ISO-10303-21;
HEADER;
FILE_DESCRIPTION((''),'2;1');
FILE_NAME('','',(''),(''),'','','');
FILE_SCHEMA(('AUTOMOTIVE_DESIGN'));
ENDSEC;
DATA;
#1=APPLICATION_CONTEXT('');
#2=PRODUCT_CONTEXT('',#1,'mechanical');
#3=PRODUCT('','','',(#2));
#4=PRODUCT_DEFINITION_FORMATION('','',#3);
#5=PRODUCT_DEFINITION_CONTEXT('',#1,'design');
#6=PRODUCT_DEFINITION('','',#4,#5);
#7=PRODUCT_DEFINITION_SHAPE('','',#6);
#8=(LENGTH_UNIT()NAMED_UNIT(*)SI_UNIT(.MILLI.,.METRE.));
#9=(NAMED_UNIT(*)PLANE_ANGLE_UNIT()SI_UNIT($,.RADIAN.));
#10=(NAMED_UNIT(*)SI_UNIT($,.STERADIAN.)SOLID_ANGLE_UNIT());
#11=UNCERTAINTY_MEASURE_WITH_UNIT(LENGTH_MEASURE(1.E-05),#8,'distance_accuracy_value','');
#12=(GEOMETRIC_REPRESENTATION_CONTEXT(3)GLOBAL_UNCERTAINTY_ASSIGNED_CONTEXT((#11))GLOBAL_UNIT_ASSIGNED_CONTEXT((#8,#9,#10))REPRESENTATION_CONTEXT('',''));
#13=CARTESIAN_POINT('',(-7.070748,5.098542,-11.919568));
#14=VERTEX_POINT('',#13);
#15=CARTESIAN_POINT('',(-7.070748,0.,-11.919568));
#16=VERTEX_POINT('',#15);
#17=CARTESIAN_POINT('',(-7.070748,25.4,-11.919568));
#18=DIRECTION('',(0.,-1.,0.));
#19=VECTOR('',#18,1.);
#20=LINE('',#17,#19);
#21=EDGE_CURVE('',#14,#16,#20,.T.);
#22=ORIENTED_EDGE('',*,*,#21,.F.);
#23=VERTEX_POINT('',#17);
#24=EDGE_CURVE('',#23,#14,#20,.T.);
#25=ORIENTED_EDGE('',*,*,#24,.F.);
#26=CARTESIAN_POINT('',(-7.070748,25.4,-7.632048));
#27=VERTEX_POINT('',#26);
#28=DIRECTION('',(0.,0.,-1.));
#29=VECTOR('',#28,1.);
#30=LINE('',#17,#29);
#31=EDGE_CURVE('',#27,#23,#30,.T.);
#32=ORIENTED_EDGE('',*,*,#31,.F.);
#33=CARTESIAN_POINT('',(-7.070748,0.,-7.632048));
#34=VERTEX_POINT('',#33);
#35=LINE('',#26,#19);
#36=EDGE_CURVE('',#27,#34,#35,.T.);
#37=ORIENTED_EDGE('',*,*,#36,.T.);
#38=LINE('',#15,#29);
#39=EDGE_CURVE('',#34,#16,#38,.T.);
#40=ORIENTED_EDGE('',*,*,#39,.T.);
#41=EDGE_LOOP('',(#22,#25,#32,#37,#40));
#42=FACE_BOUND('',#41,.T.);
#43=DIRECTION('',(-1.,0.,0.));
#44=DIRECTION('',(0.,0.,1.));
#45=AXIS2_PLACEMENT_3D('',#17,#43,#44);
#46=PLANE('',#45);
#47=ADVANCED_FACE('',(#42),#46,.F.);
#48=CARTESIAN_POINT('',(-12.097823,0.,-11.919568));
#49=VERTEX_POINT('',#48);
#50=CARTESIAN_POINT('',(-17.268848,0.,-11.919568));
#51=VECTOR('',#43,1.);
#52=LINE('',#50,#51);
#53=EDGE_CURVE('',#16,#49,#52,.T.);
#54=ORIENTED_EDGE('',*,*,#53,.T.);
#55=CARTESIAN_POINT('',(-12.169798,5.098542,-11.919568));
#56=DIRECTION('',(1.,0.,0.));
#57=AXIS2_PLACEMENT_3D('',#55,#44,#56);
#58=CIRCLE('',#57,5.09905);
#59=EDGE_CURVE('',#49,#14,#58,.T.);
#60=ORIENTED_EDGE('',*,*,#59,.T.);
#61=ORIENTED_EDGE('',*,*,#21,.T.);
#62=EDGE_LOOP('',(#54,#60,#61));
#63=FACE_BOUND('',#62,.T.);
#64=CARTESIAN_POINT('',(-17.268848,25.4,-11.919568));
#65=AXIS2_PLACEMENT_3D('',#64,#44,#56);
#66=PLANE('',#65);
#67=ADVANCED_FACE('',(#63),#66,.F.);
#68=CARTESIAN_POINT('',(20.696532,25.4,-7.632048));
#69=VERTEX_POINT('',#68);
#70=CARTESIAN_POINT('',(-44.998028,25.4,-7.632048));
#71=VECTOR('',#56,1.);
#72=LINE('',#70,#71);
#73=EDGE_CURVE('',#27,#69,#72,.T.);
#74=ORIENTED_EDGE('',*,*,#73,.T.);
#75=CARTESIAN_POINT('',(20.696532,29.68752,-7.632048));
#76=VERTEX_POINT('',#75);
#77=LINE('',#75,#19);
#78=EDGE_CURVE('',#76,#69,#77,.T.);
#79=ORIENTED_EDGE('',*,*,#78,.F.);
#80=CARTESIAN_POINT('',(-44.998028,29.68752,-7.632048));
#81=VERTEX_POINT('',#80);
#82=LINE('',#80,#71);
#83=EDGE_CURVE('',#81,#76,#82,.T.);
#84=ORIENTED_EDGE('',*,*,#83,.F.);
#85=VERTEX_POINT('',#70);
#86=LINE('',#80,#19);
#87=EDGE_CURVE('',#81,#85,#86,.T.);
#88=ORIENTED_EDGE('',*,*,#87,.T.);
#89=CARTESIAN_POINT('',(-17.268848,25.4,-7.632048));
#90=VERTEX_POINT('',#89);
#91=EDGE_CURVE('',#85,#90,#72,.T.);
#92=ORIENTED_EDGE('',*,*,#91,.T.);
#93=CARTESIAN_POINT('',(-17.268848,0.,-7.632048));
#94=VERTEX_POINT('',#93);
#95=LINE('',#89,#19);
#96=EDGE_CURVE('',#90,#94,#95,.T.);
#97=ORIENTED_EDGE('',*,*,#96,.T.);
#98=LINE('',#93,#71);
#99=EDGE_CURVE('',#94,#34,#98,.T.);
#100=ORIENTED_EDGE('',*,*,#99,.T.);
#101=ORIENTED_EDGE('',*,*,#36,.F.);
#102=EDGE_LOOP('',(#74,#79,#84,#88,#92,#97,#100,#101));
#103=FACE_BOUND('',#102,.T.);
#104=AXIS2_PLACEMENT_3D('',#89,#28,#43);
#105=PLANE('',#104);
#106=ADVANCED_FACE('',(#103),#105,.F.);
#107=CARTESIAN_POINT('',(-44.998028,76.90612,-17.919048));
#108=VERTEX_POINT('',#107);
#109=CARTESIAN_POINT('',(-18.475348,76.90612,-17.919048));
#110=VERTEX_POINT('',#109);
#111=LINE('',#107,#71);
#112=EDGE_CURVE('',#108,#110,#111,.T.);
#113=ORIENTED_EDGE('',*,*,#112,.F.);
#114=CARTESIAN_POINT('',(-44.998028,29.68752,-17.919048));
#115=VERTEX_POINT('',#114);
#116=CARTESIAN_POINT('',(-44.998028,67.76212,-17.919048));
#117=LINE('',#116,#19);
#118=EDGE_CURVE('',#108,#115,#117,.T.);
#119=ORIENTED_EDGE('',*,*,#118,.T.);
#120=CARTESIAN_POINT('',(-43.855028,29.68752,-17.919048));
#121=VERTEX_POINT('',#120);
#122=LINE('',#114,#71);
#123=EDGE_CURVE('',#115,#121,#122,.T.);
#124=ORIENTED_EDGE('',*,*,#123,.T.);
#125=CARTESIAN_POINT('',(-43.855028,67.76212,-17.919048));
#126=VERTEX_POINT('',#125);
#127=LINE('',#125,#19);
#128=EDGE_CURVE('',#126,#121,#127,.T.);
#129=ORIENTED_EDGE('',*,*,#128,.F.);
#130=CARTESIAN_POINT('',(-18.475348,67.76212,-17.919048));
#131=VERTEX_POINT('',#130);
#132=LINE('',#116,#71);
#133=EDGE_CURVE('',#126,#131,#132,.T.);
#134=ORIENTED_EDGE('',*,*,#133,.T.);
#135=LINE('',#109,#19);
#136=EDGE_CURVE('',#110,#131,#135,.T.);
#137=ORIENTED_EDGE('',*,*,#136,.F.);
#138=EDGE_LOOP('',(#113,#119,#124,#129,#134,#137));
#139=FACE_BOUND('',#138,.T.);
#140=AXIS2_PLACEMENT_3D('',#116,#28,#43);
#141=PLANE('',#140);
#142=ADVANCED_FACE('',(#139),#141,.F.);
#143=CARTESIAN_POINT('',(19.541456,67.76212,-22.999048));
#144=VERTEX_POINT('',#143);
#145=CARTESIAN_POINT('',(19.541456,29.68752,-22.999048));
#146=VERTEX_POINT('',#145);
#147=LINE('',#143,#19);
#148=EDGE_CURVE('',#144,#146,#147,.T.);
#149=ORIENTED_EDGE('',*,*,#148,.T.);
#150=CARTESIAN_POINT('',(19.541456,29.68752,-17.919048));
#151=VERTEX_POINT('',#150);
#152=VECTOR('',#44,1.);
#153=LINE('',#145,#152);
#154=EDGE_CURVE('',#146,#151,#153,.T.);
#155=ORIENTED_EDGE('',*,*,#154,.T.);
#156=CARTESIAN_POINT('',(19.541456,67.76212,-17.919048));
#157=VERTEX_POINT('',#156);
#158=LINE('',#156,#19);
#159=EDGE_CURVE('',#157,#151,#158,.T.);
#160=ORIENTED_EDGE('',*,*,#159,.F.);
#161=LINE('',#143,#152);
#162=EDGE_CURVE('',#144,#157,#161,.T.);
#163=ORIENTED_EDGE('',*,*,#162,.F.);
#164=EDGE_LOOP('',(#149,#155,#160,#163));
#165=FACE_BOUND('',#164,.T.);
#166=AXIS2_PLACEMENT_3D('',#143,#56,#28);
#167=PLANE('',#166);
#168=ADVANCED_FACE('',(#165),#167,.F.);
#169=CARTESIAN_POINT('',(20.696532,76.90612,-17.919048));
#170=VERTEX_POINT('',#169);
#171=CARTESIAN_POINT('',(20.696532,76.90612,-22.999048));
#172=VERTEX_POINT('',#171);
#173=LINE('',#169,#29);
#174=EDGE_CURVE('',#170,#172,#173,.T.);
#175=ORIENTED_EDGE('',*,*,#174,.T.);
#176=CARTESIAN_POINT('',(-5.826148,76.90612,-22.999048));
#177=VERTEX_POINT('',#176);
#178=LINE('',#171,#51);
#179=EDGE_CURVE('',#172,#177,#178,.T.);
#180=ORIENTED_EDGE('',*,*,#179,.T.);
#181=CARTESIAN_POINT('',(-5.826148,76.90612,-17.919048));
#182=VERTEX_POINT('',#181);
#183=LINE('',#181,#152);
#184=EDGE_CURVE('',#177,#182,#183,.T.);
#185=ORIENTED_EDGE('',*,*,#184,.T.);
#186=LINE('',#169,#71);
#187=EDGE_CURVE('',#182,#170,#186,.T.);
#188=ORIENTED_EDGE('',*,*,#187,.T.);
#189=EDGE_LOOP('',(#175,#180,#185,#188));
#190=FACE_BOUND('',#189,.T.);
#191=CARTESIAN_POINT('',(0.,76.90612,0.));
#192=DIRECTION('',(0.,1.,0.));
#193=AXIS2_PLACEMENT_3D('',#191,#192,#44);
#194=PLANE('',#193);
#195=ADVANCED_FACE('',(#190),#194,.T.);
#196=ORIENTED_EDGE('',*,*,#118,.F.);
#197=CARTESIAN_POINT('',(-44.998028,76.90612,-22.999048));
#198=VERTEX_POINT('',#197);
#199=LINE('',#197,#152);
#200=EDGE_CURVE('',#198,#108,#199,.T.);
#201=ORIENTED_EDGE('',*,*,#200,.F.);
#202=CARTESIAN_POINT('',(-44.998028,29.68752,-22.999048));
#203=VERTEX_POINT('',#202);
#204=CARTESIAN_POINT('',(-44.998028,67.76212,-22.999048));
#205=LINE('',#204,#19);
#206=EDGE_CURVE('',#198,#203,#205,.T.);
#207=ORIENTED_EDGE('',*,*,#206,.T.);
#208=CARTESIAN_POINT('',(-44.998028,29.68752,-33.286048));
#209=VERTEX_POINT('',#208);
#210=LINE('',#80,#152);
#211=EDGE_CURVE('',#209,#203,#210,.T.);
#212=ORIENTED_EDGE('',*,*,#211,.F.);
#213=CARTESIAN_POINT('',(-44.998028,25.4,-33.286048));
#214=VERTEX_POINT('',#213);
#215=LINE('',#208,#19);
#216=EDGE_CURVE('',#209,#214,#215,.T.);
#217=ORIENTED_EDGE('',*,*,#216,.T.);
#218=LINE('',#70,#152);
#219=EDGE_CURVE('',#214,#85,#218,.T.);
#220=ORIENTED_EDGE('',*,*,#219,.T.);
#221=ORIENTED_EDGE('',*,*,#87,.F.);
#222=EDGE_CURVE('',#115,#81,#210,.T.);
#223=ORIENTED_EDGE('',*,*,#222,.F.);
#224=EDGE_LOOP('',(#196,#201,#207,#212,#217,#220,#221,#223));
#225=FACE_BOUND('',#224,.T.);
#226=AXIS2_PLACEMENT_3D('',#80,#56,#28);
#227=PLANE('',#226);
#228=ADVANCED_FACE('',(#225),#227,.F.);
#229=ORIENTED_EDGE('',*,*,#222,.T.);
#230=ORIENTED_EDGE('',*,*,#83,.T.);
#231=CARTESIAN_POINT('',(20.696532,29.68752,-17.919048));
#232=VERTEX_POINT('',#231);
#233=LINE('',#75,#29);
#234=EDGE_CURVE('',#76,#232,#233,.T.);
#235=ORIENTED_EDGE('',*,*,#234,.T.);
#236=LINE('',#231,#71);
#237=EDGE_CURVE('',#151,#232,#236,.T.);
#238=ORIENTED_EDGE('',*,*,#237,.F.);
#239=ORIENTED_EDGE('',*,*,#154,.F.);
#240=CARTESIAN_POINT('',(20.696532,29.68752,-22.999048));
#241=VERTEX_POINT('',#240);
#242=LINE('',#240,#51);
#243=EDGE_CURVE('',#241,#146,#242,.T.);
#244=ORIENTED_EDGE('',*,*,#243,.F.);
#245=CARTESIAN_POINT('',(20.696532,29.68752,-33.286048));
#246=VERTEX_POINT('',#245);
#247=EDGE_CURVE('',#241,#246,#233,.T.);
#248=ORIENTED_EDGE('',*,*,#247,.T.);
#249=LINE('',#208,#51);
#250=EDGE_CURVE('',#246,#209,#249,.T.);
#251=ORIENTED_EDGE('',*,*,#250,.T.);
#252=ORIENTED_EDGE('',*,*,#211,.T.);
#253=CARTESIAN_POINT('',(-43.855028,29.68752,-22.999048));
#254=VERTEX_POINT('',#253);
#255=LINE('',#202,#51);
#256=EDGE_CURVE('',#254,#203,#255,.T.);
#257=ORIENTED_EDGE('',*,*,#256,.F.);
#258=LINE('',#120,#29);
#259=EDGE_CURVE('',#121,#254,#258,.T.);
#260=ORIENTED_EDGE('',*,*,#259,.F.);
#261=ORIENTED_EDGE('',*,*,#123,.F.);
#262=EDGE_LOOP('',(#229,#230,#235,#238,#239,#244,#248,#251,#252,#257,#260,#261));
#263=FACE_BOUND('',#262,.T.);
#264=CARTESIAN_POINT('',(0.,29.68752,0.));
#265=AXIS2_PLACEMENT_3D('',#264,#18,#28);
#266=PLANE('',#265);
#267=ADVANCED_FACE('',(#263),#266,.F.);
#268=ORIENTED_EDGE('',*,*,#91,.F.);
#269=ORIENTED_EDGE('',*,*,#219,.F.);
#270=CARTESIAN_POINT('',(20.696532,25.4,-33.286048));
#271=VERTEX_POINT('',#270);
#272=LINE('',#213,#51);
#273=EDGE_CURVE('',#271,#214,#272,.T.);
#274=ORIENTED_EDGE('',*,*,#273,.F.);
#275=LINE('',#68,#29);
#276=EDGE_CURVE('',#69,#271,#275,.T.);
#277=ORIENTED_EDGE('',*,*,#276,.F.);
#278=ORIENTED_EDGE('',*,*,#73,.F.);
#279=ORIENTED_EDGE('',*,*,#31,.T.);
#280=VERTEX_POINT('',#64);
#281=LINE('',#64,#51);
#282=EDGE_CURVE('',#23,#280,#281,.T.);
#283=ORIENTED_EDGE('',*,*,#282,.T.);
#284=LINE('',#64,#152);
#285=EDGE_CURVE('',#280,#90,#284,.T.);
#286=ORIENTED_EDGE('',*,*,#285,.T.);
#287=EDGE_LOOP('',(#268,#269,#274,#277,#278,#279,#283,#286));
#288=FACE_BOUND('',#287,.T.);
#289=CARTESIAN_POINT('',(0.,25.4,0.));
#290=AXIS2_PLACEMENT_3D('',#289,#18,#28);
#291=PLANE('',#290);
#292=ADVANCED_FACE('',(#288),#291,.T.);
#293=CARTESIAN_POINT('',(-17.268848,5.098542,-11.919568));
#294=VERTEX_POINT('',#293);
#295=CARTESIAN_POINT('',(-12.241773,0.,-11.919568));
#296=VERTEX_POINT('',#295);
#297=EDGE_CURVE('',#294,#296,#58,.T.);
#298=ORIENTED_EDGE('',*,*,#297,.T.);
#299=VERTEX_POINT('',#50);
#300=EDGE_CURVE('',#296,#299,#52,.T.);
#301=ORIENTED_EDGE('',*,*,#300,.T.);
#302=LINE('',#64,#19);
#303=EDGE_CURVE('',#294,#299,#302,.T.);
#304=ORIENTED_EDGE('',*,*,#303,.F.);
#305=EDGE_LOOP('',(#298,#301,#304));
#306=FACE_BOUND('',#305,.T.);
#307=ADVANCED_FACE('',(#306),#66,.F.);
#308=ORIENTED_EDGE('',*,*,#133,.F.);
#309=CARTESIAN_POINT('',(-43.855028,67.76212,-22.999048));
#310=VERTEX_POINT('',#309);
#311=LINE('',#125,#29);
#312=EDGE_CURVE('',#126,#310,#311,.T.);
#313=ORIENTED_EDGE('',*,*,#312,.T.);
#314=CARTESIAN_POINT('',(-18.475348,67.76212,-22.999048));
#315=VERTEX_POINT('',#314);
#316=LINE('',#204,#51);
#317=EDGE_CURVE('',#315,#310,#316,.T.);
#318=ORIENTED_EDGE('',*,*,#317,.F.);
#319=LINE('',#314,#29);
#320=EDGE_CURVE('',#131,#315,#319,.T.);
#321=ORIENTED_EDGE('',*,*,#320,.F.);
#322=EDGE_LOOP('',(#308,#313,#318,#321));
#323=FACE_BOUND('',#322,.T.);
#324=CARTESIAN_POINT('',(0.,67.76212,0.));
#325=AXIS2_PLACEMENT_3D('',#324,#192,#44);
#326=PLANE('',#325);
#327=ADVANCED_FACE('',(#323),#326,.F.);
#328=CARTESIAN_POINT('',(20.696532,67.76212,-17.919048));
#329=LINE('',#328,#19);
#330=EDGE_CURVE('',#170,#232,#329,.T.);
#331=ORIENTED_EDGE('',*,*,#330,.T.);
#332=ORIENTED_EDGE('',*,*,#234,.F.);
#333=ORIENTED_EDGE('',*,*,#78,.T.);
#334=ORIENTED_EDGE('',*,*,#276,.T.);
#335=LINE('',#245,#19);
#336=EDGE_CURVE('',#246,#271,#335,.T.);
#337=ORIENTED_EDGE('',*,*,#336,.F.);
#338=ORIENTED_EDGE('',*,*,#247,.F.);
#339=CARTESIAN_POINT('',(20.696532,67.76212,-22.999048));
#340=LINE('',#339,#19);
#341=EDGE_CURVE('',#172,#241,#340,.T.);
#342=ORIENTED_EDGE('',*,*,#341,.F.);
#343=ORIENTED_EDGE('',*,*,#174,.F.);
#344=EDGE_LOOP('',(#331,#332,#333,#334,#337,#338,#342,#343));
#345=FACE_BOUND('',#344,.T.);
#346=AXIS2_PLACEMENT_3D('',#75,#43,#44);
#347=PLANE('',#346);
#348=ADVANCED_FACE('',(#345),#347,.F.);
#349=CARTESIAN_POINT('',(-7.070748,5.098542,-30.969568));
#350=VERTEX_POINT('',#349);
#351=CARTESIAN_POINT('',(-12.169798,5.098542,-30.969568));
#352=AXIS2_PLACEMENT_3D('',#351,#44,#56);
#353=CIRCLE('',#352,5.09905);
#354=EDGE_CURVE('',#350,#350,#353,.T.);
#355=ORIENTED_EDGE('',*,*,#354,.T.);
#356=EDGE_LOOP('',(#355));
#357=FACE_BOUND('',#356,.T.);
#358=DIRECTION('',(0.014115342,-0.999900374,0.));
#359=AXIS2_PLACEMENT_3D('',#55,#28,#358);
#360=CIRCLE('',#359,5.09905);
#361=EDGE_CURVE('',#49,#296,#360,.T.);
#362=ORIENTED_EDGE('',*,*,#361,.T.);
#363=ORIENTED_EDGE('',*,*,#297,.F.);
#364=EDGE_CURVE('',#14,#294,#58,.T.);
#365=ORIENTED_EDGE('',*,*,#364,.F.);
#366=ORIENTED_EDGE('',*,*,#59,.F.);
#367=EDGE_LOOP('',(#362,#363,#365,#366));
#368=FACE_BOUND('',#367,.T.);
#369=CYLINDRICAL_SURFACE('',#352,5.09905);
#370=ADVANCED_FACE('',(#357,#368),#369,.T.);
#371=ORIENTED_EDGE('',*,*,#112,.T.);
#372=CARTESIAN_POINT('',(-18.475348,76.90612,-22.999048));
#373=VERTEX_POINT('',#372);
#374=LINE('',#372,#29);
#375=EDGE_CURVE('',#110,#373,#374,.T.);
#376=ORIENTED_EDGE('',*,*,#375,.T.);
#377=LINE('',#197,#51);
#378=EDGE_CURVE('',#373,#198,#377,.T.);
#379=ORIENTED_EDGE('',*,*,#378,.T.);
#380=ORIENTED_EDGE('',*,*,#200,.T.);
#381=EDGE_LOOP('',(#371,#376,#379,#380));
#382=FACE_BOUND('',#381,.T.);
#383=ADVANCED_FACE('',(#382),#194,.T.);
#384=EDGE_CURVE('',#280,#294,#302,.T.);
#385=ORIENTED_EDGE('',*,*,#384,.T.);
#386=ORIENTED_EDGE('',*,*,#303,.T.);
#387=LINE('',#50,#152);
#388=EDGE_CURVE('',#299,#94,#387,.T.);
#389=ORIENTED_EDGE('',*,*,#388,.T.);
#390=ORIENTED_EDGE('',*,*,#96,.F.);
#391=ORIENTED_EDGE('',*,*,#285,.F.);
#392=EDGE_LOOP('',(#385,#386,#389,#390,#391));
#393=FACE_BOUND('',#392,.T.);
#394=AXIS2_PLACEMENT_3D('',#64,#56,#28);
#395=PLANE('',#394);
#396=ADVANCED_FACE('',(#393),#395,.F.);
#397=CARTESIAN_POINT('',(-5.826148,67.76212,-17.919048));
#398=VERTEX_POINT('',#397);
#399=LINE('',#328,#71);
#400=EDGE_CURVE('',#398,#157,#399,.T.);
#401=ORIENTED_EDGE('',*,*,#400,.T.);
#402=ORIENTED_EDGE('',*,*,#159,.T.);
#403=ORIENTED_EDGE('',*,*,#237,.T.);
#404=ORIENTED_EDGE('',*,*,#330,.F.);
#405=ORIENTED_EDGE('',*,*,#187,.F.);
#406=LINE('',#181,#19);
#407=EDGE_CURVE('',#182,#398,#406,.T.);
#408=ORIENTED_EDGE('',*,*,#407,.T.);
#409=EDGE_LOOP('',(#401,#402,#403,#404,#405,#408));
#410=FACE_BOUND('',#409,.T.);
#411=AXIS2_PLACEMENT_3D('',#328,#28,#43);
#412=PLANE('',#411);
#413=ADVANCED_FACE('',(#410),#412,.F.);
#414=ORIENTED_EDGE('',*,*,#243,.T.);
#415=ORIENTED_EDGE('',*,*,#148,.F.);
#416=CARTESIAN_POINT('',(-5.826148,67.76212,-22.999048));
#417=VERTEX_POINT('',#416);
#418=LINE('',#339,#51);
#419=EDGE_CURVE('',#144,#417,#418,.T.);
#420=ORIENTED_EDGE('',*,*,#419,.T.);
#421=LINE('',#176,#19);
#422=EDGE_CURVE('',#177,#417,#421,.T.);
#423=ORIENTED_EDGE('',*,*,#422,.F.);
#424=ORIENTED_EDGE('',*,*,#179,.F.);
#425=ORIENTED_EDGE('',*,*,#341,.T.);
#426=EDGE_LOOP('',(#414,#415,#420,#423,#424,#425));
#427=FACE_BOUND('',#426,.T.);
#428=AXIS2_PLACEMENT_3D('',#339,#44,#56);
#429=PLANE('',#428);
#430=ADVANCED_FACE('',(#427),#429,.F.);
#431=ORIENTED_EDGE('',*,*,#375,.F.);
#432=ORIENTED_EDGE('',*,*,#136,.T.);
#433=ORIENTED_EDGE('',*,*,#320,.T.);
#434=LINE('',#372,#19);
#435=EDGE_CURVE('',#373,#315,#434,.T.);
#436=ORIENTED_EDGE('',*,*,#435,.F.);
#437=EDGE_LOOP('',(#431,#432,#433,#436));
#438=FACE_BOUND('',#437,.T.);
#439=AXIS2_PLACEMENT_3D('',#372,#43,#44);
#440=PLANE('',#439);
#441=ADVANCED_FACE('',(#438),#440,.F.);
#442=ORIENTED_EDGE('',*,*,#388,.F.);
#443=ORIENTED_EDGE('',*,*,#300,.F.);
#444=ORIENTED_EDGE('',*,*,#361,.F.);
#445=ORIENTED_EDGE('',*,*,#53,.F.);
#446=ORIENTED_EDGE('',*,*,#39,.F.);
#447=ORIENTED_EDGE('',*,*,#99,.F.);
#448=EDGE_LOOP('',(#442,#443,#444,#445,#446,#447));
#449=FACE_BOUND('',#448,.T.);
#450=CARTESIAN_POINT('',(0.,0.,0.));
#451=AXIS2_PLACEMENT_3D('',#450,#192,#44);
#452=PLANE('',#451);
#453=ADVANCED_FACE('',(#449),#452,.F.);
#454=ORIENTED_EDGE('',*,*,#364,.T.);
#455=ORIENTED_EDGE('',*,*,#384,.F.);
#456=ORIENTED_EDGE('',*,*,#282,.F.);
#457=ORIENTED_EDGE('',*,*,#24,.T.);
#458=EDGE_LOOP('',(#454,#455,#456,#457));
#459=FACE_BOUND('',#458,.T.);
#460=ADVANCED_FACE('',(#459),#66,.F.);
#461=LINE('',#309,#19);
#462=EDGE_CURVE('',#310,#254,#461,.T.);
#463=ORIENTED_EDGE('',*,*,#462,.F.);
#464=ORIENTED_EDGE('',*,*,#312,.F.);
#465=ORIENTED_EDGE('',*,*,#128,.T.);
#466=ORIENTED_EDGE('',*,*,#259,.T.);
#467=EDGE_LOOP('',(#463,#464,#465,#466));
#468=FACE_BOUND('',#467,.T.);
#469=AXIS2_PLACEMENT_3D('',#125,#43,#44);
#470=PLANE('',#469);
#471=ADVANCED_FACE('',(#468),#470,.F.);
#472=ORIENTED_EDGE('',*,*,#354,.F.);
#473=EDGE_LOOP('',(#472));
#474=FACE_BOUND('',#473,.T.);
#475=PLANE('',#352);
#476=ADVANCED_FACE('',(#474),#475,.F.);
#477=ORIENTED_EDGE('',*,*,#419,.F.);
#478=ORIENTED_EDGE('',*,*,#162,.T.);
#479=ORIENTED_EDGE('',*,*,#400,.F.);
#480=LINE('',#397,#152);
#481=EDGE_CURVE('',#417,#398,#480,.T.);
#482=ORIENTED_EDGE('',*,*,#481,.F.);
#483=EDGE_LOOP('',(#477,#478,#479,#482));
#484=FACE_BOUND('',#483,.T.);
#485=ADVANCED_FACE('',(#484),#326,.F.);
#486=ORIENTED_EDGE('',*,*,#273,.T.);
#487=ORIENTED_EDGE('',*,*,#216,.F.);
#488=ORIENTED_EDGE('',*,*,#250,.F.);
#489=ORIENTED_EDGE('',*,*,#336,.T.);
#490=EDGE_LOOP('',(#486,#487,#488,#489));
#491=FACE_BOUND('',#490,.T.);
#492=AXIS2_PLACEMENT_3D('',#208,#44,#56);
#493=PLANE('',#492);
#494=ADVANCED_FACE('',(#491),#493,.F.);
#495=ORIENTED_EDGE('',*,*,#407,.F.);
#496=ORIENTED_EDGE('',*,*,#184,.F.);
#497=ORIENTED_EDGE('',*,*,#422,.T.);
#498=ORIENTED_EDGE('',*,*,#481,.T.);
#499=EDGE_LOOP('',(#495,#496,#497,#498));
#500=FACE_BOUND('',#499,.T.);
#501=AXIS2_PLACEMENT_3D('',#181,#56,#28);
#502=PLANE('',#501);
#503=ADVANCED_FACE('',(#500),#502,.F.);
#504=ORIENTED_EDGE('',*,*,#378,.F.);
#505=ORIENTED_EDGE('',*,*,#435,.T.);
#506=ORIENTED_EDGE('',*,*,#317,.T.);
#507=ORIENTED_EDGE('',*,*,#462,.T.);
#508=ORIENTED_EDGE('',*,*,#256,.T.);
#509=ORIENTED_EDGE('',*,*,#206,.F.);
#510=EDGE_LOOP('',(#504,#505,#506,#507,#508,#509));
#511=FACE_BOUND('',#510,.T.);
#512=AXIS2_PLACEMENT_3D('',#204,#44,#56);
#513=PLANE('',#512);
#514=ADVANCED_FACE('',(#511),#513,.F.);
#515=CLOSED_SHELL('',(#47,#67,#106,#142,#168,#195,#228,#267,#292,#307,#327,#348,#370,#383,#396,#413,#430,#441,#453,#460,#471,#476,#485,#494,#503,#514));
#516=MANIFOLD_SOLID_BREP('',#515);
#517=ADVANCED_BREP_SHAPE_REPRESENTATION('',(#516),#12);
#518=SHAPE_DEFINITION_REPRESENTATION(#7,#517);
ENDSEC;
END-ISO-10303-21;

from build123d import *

# Parameters (mm, degrees)
SKETCH6_W            = 10.1981
SKETCH6_H            = 4.28752
BOSS_EXTRUDE3_DEPTH  = 25.4
SKETCH8_R            = 5.09905
BOSS_EXTRUDE5_DEPTH  = 19.05
SKETCH11_W           = 65.69456
SKETCH11_H           = 25.654
BOSS_EXTRUDE10_DEPTH = 4.28752
SKETCH16_W           = 1.143
SKETCH16_H           = 5.08
SKETCH16_W_2         = 1.155076163
BOSS_EXTRUDE11_DEPTH = 38.0746
SKETCH17_W           = 26.52268
SKETCH17_H           = 5.08
BOSS_EXTRUDE12_DEPTH = 9.144


with BuildPart() as part:
    # Sketch6 → Boss-Extrude3 (new body)
    with BuildSketch(Plane(origin=(0, 0, 0), x_dir=(1, 0, 0), z_dir=(0, 1, 0))):
        with Locations((-12.169797761, 9.77580804)):
            Rectangle(SKETCH6_W, SKETCH6_H)
    extrude(amount=BOSS_EXTRUDE3_DEPTH)

    # Sketch8 → Boss-Extrude5 (add)
    with BuildSketch(Plane.XY.offset(-11.91956804)):
        with Locations((-12.169797761, 5.098542)):
            Circle(SKETCH8_R)
    extrude(amount=-BOSS_EXTRUDE5_DEPTH)

    # Sketch11 → Boss-Extrude10 (add)
    with BuildSketch(Plane(origin=(0, 25.4, 0), x_dir=(1, 0, 0), z_dir=(0, 1, 0))):
        with Locations((-12.150747761, 20.45904804)):
            Rectangle(SKETCH11_W, SKETCH11_H)
    extrude(amount=BOSS_EXTRUDE10_DEPTH)

    # Sketch16 → Boss-Extrude11 (add)
    with BuildSketch(Plane(origin=(0, 29.68752, 0), x_dir=(1, 0, 0), z_dir=(0, 1, 0))):
        with Locations((-44.426527761, 20.45904804)):
            Rectangle(SKETCH16_W, SKETCH16_H)
        with Locations((20.118994158, 20.45904804)):
            Rectangle(SKETCH16_W_2, SKETCH16_H)
    extrude(amount=BOSS_EXTRUDE11_DEPTH)

    # Sketch17 → Boss-Extrude12 (add)
    with BuildSketch(Plane(origin=(0, 67.76212, 0), x_dir=(1, 0, 0), z_dir=(0, 1, 0))):
        with Locations((-31.736687761, 20.45904804)):
            Rectangle(SKETCH17_W, SKETCH17_H)
        with Locations((7.435192239, 20.45904804)):
            Rectangle(SKETCH17_W, SKETCH17_H)
    extrude(amount=BOSS_EXTRUDE12_DEPTH)


solid = part.part
